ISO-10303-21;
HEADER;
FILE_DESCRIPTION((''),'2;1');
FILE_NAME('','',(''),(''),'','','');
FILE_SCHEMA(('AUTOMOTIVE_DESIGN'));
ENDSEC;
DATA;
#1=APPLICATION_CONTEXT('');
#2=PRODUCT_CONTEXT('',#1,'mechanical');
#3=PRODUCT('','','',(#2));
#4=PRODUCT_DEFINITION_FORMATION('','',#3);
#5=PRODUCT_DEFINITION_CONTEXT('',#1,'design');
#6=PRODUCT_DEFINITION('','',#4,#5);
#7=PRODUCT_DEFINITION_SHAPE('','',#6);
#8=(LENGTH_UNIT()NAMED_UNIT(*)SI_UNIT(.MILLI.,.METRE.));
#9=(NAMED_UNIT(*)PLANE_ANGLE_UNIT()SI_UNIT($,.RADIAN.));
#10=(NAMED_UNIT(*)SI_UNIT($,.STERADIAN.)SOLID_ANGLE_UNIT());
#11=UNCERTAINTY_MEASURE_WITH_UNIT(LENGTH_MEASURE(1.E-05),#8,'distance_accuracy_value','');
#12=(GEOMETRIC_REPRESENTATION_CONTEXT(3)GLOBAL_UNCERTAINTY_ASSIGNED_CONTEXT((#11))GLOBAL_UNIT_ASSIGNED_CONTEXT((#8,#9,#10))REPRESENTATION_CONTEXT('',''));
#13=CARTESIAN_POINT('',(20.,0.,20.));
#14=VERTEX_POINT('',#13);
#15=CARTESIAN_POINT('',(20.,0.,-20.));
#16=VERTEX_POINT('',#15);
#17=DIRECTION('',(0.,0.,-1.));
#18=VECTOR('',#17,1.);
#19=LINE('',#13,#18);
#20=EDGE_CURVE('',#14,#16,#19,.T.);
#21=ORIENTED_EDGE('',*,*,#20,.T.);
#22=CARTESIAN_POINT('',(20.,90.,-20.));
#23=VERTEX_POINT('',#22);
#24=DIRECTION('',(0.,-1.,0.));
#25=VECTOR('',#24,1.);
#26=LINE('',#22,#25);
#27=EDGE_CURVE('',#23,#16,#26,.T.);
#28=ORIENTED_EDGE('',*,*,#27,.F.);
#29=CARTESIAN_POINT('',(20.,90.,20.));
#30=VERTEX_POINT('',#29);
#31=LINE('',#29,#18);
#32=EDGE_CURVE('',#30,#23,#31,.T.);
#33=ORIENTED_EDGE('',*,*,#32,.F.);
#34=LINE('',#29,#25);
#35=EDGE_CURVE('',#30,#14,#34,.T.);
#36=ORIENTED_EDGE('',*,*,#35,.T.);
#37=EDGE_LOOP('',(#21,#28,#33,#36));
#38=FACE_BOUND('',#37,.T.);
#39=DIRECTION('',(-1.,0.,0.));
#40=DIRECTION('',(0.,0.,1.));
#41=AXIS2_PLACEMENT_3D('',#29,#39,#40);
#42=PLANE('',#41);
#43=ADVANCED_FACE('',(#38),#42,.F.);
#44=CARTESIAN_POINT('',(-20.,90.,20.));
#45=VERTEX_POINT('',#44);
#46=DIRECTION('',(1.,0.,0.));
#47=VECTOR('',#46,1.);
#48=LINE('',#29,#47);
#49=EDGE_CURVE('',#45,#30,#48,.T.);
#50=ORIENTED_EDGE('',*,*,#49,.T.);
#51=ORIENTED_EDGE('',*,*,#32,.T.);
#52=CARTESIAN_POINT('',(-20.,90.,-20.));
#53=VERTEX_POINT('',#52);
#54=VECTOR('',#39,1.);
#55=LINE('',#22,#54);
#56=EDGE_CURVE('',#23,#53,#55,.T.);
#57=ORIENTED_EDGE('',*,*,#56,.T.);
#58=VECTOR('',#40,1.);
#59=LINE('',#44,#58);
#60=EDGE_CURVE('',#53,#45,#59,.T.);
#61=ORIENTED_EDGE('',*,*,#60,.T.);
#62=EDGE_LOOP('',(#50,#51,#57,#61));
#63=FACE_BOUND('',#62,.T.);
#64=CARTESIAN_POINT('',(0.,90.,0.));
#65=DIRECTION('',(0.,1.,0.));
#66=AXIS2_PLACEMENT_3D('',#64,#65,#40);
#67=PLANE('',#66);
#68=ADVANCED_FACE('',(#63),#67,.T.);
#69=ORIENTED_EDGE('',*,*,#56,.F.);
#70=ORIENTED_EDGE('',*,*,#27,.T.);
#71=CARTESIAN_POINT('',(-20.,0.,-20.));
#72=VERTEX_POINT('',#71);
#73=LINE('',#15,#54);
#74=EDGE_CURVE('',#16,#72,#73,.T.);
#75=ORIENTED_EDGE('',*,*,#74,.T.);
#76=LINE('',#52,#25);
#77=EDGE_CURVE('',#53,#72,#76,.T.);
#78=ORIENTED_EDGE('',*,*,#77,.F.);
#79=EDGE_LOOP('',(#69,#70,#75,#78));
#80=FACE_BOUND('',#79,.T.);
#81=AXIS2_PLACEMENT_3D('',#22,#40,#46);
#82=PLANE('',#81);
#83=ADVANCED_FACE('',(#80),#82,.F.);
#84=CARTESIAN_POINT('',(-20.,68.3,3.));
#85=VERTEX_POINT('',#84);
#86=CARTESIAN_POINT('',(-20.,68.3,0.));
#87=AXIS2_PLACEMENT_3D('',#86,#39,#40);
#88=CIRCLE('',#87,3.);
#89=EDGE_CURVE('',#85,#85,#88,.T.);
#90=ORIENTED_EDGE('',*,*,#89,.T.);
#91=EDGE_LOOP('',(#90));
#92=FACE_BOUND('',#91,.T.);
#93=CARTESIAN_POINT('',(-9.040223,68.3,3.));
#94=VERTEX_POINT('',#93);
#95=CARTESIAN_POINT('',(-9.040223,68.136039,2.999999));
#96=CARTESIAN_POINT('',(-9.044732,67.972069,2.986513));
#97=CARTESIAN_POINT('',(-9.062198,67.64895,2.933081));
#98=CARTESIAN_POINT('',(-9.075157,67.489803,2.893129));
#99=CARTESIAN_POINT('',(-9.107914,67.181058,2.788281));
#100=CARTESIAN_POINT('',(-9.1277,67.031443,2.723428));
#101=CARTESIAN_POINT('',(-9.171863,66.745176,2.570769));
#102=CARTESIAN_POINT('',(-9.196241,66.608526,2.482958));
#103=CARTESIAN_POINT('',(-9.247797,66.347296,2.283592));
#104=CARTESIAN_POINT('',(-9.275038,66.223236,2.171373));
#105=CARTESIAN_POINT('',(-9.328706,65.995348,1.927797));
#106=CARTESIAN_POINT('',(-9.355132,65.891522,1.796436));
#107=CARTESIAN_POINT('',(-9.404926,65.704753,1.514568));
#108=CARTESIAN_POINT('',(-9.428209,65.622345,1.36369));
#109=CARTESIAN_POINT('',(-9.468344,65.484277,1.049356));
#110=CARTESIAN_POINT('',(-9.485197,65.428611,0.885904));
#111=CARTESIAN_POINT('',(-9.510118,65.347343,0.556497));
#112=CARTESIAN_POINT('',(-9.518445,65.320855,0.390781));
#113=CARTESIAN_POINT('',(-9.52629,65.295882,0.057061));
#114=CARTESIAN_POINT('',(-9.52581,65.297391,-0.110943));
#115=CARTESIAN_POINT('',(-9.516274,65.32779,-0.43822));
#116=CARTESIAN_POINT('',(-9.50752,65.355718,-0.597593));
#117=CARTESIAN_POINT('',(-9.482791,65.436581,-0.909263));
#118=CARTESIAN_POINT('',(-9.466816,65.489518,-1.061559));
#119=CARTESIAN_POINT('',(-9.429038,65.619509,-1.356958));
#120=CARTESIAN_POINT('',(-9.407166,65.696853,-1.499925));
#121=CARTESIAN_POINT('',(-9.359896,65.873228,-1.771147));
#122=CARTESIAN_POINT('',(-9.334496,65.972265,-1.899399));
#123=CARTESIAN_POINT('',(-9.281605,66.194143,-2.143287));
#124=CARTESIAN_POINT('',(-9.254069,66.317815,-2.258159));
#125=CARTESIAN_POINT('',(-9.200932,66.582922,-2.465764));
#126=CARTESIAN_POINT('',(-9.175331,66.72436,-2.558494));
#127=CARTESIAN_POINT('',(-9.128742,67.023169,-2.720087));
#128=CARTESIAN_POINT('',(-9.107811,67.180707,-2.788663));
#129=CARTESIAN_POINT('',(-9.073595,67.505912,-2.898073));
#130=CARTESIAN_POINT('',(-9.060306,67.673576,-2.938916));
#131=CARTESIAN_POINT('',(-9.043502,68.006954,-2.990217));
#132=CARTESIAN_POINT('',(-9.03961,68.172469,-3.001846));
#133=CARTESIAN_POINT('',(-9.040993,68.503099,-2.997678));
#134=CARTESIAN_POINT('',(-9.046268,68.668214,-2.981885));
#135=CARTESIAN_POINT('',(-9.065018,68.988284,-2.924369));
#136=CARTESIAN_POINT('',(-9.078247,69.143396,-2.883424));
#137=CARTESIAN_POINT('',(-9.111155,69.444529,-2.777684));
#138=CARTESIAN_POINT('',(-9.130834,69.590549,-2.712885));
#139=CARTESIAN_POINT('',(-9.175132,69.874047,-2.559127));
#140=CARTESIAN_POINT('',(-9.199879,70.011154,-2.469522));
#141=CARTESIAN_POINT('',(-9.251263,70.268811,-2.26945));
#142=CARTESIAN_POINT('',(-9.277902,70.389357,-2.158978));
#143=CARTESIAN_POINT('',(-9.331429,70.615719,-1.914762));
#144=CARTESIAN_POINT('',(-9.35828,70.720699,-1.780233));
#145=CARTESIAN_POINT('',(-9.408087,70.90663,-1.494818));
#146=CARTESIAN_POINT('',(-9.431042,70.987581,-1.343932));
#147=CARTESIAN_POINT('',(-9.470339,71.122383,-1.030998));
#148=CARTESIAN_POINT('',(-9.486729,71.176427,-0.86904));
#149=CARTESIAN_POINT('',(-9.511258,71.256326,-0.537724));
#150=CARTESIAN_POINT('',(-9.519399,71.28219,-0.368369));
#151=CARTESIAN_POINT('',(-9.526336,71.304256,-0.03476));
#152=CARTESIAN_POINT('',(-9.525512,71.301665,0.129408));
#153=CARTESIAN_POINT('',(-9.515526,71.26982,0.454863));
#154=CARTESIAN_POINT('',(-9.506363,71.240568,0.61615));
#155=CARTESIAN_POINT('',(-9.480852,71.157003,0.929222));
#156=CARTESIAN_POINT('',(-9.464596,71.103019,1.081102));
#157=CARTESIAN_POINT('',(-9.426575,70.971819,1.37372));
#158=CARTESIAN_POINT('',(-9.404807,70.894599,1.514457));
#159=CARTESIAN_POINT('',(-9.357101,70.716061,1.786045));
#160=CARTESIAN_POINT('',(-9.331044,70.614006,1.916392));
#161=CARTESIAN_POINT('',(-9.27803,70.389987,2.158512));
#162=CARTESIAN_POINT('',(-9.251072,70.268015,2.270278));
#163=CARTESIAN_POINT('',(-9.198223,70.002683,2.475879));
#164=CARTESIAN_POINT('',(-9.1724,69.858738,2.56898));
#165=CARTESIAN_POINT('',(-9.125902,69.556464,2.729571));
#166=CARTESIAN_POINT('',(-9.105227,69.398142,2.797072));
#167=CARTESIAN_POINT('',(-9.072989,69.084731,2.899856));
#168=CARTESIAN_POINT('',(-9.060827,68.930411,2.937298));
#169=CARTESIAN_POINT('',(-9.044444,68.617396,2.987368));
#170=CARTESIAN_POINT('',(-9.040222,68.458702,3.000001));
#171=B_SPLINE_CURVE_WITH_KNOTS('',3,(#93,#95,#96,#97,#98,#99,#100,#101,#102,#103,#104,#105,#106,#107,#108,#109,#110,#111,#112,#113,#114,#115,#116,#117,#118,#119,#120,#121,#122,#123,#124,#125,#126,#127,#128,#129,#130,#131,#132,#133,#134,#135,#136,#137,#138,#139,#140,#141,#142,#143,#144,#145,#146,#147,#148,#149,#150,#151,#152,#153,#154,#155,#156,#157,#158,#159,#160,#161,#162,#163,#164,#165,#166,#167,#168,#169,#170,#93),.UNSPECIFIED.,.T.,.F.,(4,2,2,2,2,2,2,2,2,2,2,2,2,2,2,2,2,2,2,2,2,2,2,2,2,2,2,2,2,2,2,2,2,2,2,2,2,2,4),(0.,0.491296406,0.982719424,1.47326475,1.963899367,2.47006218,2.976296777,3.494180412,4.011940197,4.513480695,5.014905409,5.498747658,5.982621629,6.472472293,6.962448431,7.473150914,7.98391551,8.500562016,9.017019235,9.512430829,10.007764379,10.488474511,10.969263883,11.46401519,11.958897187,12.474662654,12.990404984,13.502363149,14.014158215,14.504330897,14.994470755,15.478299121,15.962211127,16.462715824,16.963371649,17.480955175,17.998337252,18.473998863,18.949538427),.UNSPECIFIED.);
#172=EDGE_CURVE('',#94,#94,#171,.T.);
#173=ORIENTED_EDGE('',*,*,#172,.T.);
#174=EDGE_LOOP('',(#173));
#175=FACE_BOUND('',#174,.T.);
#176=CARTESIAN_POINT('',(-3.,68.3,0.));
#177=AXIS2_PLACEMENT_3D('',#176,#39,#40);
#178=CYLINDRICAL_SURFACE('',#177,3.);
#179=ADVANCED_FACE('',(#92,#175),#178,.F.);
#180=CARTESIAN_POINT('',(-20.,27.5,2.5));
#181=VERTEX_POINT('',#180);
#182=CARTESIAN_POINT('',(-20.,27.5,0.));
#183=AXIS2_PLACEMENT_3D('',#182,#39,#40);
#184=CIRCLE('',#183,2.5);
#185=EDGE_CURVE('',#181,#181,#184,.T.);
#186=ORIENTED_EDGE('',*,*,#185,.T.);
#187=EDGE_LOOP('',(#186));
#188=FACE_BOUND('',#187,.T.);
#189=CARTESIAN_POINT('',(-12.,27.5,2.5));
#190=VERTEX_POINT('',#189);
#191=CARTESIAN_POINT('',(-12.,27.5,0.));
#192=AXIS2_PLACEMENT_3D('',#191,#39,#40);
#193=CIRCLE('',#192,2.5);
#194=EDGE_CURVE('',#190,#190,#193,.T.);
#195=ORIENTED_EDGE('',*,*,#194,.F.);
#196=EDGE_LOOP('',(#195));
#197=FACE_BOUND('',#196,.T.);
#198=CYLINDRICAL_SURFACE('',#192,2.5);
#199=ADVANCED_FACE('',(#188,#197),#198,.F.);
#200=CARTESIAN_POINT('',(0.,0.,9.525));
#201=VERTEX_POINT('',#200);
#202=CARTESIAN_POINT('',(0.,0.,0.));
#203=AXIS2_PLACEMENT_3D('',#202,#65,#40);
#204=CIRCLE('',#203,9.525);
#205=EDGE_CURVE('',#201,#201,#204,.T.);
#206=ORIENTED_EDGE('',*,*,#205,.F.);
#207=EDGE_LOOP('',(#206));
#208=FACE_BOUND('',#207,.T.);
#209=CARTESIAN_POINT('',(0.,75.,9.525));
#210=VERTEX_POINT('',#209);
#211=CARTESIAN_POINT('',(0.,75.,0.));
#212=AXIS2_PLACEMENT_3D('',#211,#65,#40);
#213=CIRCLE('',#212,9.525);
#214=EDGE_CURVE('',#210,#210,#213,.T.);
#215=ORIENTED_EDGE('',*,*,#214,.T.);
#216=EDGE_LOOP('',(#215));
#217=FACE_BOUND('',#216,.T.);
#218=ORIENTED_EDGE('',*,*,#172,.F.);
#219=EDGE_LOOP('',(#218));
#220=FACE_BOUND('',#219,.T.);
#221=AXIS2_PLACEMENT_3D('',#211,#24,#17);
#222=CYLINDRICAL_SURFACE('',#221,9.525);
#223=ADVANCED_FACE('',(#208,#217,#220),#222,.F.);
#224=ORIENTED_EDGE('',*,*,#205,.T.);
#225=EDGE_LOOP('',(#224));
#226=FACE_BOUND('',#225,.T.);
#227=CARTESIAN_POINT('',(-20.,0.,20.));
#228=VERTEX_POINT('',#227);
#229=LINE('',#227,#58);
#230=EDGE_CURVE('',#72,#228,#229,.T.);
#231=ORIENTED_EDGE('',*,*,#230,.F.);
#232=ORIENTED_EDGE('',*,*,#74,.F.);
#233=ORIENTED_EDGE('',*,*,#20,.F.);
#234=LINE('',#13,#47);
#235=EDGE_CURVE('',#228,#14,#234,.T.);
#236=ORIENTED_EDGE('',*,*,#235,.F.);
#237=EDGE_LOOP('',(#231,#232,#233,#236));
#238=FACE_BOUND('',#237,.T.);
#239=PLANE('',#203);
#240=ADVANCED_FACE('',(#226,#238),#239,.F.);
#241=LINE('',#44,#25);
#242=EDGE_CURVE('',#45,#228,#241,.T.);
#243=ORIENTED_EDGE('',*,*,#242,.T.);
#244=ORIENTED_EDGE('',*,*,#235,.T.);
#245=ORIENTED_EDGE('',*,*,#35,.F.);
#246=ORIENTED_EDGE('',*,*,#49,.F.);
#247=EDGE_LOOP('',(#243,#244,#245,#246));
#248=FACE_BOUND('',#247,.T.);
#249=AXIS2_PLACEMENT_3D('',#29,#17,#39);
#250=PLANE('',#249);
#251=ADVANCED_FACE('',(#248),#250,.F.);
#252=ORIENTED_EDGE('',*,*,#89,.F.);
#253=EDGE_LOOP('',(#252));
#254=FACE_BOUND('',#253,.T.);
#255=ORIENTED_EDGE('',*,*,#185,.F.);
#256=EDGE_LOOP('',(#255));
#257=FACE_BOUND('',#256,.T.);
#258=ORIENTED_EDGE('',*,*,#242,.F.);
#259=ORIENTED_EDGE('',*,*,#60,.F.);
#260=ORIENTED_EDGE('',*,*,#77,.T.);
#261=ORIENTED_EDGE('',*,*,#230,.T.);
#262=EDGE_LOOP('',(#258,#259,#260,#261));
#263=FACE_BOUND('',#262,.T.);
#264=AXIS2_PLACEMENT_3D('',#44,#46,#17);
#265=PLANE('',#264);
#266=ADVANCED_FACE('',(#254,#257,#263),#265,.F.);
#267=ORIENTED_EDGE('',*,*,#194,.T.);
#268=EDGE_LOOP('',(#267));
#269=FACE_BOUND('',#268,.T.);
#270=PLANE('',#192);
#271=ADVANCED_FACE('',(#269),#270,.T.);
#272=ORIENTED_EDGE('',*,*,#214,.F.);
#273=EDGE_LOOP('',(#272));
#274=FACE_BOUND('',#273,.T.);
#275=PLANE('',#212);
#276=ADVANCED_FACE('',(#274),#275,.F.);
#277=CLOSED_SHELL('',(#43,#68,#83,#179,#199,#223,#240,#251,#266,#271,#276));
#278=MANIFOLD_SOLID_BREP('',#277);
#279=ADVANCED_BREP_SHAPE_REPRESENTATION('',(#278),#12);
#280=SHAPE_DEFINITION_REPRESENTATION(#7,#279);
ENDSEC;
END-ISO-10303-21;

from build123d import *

# Parameters (mm, degrees)
SKETCH1_W           = 40
SKETCH1_H           = 40
BOSS_EXTRUDE1_DEPTH = 90
SKETCH2_R           = 9.525
CUT_EXTRUDE1_DEPTH  = 75
SKETCH3_R           = 3
CUT_EXTRUDE5_DEPTH  = 17
SKETCH5_R           = 2.5
CUT_EXTRUDE6_DEPTH  = 8


with BuildPart() as part:
    # Sketch1 → Boss-Extrude1 (new body)
    with BuildSketch(Plane(origin=(0, 0, 0), x_dir=(1, 0, 0), z_dir=(0, 1, 0))):
        Rectangle(SKETCH1_W, SKETCH1_H)
    extrude(amount=BOSS_EXTRUDE1_DEPTH)

    # Sketch2 → Cut-Extrude1 (cut)
    with BuildSketch(Plane(origin=(0, 0, 0), x_dir=(1, 0, 0), z_dir=(0, 1, 0))):
        Circle(SKETCH2_R)
    extrude(amount=CUT_EXTRUDE1_DEPTH, mode=Mode.SUBTRACT)

    # Sketch3 → Cut-Extrude5 (cut)
    with BuildSketch(Plane.ZY.offset(20)):
        with Locations((0, 68.3)):
            Circle(SKETCH3_R)
    extrude(amount=-CUT_EXTRUDE5_DEPTH, mode=Mode.SUBTRACT)

    # Sketch5 → Cut-Extrude6 (cut)
    with BuildSketch(Plane.ZY.offset(20)):
        with Locations((0, 27.5)):
            Circle(SKETCH5_R)
    extrude(amount=-CUT_EXTRUDE6_DEPTH, mode=Mode.SUBTRACT)


solid = part.part
